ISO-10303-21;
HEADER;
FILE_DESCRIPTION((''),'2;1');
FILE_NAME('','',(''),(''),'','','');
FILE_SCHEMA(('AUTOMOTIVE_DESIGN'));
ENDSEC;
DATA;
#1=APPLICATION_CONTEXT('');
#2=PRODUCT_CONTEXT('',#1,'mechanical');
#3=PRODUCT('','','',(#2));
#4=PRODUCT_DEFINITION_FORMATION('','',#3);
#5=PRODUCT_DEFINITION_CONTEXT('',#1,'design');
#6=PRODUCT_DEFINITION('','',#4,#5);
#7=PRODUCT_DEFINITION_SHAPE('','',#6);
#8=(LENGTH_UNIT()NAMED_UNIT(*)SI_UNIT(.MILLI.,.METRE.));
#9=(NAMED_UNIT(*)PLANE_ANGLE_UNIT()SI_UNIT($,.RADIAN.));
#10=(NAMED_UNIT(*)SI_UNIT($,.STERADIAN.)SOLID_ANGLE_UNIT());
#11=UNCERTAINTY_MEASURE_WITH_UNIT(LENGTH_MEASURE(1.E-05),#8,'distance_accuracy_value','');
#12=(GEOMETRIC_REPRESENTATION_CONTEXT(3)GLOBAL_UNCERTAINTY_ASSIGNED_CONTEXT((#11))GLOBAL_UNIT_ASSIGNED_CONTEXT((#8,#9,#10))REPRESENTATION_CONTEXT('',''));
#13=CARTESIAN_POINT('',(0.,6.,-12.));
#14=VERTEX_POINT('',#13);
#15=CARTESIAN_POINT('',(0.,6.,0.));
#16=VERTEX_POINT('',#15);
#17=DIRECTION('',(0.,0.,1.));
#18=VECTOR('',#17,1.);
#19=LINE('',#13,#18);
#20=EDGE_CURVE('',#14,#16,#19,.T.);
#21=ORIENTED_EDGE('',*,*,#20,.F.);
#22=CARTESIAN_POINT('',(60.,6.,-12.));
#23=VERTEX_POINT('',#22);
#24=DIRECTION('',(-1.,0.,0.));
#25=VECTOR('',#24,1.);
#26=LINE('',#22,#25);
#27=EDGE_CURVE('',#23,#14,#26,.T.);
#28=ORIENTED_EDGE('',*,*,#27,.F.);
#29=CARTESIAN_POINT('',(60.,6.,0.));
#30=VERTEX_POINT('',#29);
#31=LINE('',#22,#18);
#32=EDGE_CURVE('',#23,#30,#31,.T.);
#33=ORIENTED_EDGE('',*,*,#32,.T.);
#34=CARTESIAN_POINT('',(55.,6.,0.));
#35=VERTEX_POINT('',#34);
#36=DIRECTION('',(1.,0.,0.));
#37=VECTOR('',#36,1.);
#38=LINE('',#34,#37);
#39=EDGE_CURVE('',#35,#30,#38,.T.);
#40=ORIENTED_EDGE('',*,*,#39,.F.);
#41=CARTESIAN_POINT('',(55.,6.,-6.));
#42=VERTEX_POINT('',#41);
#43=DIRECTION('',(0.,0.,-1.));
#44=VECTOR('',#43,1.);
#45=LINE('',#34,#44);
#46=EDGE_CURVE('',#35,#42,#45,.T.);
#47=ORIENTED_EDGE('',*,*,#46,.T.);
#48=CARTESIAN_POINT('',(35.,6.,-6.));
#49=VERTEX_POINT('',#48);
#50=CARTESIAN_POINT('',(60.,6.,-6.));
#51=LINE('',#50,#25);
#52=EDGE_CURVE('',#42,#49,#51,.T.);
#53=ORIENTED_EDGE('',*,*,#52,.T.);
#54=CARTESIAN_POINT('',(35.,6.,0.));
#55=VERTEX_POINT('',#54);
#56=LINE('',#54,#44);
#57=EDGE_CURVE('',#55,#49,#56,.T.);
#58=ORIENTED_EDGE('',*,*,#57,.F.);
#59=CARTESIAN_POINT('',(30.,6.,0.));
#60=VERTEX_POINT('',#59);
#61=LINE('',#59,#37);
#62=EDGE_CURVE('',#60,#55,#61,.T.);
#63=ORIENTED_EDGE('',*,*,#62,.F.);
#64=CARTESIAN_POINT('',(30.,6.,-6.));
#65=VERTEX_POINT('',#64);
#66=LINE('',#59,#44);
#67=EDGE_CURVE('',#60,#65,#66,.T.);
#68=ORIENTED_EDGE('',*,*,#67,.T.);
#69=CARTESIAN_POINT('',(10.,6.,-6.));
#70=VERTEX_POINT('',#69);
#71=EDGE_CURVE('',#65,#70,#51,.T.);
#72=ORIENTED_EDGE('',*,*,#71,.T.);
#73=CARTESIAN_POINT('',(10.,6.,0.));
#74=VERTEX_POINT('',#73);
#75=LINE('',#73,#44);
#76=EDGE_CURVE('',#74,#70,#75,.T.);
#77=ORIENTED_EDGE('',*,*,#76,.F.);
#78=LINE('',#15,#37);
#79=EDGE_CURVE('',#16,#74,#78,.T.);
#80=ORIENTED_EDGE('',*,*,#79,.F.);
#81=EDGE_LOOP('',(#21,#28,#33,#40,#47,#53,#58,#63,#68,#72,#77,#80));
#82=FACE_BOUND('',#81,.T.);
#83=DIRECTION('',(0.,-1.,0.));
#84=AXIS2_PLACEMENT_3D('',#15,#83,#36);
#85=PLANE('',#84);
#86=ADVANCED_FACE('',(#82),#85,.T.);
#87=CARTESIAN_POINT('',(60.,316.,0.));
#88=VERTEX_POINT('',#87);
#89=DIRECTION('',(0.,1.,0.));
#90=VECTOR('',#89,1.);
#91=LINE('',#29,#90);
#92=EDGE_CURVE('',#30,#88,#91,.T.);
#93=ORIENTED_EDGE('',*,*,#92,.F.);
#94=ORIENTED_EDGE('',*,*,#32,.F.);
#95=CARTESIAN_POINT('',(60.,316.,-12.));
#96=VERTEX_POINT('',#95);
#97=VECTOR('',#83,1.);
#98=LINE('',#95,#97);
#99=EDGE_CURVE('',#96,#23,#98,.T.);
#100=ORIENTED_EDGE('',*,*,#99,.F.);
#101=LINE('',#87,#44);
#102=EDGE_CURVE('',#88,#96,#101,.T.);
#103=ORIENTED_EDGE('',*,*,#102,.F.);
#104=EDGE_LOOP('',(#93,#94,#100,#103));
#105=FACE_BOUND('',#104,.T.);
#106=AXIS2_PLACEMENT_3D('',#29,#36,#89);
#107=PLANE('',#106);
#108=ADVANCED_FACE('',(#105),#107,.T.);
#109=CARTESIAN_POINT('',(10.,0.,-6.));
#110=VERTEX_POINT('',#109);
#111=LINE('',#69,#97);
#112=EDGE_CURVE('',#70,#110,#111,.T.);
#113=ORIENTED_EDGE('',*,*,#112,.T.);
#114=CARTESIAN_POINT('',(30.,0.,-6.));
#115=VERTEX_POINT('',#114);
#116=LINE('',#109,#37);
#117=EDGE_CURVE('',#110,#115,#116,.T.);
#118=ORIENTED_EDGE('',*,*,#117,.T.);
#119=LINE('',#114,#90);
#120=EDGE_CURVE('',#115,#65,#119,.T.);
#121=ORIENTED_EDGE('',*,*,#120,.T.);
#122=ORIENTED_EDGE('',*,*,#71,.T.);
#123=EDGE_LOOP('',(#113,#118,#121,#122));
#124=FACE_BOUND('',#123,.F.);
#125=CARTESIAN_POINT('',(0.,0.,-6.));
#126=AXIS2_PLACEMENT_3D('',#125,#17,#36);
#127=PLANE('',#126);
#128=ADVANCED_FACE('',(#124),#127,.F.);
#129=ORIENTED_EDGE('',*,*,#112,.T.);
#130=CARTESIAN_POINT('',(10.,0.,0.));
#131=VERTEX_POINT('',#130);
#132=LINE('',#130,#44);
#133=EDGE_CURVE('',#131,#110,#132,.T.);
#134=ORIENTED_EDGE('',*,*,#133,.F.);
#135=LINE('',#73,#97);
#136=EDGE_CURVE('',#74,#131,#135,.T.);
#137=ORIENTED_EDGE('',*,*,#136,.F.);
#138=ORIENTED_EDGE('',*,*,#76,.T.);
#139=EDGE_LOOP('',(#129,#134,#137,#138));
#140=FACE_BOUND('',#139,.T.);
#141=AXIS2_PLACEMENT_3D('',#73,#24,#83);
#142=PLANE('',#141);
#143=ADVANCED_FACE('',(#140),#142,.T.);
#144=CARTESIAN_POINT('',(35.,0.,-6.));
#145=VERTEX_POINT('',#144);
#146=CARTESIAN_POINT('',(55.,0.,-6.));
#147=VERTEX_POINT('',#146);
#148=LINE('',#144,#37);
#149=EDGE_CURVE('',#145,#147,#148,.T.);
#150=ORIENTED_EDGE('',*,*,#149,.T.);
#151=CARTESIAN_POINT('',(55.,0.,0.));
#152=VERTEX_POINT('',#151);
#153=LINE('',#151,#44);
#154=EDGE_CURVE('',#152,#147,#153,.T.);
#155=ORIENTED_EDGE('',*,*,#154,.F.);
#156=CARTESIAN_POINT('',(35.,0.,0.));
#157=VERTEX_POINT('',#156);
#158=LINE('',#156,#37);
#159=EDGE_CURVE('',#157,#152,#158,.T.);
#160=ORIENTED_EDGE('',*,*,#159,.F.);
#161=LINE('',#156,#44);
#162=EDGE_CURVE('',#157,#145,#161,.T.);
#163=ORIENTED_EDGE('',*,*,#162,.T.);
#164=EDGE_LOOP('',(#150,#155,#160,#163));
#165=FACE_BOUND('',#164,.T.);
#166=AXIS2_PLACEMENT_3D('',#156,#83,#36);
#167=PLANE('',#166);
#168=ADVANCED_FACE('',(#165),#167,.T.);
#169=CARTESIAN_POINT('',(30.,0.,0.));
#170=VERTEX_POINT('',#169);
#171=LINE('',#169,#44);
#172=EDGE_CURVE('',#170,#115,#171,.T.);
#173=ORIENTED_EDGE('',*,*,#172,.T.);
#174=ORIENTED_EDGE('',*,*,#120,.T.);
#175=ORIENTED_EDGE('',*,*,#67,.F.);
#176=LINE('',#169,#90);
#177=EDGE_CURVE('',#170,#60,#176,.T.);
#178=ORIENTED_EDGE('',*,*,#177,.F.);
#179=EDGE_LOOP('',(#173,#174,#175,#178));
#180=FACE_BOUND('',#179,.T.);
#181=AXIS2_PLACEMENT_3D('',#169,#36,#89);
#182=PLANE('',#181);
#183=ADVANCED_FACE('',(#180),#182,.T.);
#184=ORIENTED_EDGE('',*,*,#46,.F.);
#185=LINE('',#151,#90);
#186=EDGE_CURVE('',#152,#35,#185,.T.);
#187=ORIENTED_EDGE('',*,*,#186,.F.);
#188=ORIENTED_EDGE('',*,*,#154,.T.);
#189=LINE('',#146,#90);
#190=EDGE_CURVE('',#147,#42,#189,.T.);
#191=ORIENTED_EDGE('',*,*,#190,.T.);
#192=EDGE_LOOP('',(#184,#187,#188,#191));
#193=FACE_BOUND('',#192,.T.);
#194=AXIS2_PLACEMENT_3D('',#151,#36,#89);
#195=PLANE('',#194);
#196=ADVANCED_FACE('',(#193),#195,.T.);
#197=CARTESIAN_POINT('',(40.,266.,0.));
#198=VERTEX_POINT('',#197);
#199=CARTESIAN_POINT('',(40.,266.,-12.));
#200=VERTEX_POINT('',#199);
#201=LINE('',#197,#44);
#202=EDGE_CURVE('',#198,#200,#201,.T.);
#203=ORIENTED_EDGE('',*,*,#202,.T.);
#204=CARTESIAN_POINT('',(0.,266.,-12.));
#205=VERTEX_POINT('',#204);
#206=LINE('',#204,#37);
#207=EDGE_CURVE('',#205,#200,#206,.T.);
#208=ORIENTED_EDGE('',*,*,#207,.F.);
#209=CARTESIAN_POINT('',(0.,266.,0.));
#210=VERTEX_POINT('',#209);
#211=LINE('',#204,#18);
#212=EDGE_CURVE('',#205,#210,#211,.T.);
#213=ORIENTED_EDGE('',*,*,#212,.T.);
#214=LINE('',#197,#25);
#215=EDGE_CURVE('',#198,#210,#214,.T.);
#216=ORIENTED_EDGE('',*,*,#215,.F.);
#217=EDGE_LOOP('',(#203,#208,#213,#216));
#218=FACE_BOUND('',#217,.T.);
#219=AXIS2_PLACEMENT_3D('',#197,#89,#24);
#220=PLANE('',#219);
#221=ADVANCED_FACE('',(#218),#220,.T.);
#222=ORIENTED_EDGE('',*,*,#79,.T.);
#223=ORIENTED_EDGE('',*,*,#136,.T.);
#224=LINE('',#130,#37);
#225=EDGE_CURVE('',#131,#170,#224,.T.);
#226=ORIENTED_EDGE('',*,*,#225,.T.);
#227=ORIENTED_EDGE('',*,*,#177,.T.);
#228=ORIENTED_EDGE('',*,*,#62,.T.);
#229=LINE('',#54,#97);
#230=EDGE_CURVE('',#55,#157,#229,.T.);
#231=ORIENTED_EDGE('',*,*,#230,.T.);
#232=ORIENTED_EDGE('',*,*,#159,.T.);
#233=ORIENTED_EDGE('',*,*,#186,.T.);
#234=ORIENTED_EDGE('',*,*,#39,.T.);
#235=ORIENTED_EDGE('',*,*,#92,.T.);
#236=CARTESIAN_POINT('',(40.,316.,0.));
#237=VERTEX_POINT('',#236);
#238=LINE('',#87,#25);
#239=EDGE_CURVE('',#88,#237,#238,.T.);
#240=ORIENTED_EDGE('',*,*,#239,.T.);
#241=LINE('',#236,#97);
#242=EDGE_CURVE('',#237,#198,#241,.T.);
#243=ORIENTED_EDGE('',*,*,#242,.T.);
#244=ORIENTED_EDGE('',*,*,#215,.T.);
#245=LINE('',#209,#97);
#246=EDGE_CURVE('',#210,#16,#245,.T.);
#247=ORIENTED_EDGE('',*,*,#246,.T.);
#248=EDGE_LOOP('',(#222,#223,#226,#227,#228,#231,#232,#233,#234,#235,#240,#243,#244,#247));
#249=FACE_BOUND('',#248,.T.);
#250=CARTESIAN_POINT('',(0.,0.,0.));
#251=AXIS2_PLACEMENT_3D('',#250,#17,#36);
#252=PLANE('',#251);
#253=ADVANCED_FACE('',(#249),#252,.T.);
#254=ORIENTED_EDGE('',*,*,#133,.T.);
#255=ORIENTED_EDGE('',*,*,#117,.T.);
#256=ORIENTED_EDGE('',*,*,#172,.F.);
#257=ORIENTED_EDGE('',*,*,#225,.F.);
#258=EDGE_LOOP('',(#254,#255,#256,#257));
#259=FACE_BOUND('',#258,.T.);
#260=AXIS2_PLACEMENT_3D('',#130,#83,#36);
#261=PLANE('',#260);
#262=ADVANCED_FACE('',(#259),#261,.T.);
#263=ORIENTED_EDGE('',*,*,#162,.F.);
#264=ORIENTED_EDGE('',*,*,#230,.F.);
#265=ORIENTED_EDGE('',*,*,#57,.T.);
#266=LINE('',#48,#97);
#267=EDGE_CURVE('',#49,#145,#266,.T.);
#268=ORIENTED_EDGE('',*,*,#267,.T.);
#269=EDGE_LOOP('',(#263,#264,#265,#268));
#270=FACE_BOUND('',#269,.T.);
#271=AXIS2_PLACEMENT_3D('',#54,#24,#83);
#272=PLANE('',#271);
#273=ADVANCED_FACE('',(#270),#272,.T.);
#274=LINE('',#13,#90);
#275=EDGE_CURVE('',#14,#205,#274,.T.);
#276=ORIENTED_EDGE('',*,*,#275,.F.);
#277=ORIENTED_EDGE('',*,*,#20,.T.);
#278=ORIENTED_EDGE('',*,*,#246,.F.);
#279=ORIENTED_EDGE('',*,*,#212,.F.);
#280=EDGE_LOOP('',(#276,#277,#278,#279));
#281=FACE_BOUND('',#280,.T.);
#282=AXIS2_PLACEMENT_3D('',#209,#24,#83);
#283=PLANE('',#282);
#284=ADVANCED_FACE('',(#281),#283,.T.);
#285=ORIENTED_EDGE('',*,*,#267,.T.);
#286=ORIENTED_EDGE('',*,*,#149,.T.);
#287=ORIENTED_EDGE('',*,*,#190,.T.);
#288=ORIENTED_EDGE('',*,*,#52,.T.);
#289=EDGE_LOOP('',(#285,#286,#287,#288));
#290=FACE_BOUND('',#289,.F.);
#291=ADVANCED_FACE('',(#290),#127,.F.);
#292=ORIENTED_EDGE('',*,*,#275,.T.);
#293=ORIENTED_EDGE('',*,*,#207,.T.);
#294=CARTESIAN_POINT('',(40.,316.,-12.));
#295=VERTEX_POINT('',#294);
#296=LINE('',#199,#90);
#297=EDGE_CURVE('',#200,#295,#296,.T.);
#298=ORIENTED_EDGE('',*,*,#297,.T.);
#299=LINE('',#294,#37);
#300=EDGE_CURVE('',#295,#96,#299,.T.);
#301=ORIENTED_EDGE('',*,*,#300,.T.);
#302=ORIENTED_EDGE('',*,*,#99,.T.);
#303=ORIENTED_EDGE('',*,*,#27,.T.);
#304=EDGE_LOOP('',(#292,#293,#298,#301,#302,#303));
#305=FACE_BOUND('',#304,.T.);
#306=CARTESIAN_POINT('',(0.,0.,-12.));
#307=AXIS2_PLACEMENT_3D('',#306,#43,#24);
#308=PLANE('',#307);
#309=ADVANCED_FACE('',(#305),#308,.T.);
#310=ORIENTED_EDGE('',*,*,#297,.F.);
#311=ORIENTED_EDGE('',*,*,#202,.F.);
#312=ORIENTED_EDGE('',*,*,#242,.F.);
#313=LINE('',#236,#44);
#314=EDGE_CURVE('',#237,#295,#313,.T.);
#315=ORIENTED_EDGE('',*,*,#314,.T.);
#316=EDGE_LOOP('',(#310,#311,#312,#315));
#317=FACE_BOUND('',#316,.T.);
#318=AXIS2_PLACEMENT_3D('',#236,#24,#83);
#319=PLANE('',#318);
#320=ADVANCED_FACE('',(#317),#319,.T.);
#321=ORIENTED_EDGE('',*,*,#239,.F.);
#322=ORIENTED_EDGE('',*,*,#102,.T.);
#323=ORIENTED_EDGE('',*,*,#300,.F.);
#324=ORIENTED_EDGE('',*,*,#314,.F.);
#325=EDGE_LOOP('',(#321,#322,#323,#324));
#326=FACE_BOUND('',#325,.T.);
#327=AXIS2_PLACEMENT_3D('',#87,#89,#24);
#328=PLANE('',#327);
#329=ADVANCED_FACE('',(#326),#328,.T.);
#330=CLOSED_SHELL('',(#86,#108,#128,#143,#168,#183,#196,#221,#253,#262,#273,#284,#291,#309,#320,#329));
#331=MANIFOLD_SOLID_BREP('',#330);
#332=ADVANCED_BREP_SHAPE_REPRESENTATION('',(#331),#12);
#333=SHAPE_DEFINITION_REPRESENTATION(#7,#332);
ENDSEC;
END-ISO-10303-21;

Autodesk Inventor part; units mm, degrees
ref_plane "YZ Plane" through (0, 0, 0) normal (1, 0, 0) x (0, 1, 0)
ref_plane "XZ Plane" through (0, 0, 0) normal (0, 1, 0) x (-1, 0, 0)
ref_plane "XY Plane" through (0, 0, 0) normal (0, 0, 1) x (1, 0, 0)
sketch "Sketch1" plane through (0, 0, 0) normal (0, 0, 1) x (1, 0, 0)
  line L0 (0, 266) -> (0, 6)
  line L1 (60, 6) -> (60, 316)
  line L2 (0, 6) -> (10, 6)
  line L3 (10, 6) -> (10, 0)
  line L4 (10, 0) -> (30, 0)
  line L5 (30, 0) -> (30, 6)
  line L6 (30, 6) -> (35, 6)
  line L7 (35, 6) -> (35, 0)
  line L8 (35, 0) -> (55, 0)
  line L9 (55, 0) -> (55, 6)
  line L10 (55, 6) -> (60, 6)
  line L11 (60, 316) -> (40, 316)
  line L12 (40, 316) -> (40, 266)
  line L13 (40, 266) -> (0, 266)
  point P0 (0, 0)
  dimension "d25" = 10
  dimension "d26" = 20
  dimension "d27" = 5
  dimension "d29" = 20
  dimension "d31" = 310
  dimension "d32" = 20
  dimension "d33" = 50
  dimension "d34" = 6
extrude "Extrusion1" add sketch "Sketch1" against normal blind 6
sketch "Sketch3" plane through (0, 0, -6) normal (0, 0, -1) x (-1, 0, 0)
  line L0 (-60, 316) -> (-60, 6) projected
  line L1 (-60, 316) -> (-60, 6)
  line L2 (-60, 6) -> (0, 6)
  line L3 (-40, 316) -> (-60, 316)
  line L4 (0, 6) -> (0, 266) projected
  line L5 (0, 6) -> (0, 266)
  line L6 (0, 266) -> (-40, 266)
  line L7 (-40, 266) -> (-40, 316) projected
  line L8 (-40, 266) -> (-40, 316)
  point P0 (0, 0)
extrude "Extrusion3" add sketch "Sketch3" along normal blind 6
properties part number "Archimedes Screw Border3"
